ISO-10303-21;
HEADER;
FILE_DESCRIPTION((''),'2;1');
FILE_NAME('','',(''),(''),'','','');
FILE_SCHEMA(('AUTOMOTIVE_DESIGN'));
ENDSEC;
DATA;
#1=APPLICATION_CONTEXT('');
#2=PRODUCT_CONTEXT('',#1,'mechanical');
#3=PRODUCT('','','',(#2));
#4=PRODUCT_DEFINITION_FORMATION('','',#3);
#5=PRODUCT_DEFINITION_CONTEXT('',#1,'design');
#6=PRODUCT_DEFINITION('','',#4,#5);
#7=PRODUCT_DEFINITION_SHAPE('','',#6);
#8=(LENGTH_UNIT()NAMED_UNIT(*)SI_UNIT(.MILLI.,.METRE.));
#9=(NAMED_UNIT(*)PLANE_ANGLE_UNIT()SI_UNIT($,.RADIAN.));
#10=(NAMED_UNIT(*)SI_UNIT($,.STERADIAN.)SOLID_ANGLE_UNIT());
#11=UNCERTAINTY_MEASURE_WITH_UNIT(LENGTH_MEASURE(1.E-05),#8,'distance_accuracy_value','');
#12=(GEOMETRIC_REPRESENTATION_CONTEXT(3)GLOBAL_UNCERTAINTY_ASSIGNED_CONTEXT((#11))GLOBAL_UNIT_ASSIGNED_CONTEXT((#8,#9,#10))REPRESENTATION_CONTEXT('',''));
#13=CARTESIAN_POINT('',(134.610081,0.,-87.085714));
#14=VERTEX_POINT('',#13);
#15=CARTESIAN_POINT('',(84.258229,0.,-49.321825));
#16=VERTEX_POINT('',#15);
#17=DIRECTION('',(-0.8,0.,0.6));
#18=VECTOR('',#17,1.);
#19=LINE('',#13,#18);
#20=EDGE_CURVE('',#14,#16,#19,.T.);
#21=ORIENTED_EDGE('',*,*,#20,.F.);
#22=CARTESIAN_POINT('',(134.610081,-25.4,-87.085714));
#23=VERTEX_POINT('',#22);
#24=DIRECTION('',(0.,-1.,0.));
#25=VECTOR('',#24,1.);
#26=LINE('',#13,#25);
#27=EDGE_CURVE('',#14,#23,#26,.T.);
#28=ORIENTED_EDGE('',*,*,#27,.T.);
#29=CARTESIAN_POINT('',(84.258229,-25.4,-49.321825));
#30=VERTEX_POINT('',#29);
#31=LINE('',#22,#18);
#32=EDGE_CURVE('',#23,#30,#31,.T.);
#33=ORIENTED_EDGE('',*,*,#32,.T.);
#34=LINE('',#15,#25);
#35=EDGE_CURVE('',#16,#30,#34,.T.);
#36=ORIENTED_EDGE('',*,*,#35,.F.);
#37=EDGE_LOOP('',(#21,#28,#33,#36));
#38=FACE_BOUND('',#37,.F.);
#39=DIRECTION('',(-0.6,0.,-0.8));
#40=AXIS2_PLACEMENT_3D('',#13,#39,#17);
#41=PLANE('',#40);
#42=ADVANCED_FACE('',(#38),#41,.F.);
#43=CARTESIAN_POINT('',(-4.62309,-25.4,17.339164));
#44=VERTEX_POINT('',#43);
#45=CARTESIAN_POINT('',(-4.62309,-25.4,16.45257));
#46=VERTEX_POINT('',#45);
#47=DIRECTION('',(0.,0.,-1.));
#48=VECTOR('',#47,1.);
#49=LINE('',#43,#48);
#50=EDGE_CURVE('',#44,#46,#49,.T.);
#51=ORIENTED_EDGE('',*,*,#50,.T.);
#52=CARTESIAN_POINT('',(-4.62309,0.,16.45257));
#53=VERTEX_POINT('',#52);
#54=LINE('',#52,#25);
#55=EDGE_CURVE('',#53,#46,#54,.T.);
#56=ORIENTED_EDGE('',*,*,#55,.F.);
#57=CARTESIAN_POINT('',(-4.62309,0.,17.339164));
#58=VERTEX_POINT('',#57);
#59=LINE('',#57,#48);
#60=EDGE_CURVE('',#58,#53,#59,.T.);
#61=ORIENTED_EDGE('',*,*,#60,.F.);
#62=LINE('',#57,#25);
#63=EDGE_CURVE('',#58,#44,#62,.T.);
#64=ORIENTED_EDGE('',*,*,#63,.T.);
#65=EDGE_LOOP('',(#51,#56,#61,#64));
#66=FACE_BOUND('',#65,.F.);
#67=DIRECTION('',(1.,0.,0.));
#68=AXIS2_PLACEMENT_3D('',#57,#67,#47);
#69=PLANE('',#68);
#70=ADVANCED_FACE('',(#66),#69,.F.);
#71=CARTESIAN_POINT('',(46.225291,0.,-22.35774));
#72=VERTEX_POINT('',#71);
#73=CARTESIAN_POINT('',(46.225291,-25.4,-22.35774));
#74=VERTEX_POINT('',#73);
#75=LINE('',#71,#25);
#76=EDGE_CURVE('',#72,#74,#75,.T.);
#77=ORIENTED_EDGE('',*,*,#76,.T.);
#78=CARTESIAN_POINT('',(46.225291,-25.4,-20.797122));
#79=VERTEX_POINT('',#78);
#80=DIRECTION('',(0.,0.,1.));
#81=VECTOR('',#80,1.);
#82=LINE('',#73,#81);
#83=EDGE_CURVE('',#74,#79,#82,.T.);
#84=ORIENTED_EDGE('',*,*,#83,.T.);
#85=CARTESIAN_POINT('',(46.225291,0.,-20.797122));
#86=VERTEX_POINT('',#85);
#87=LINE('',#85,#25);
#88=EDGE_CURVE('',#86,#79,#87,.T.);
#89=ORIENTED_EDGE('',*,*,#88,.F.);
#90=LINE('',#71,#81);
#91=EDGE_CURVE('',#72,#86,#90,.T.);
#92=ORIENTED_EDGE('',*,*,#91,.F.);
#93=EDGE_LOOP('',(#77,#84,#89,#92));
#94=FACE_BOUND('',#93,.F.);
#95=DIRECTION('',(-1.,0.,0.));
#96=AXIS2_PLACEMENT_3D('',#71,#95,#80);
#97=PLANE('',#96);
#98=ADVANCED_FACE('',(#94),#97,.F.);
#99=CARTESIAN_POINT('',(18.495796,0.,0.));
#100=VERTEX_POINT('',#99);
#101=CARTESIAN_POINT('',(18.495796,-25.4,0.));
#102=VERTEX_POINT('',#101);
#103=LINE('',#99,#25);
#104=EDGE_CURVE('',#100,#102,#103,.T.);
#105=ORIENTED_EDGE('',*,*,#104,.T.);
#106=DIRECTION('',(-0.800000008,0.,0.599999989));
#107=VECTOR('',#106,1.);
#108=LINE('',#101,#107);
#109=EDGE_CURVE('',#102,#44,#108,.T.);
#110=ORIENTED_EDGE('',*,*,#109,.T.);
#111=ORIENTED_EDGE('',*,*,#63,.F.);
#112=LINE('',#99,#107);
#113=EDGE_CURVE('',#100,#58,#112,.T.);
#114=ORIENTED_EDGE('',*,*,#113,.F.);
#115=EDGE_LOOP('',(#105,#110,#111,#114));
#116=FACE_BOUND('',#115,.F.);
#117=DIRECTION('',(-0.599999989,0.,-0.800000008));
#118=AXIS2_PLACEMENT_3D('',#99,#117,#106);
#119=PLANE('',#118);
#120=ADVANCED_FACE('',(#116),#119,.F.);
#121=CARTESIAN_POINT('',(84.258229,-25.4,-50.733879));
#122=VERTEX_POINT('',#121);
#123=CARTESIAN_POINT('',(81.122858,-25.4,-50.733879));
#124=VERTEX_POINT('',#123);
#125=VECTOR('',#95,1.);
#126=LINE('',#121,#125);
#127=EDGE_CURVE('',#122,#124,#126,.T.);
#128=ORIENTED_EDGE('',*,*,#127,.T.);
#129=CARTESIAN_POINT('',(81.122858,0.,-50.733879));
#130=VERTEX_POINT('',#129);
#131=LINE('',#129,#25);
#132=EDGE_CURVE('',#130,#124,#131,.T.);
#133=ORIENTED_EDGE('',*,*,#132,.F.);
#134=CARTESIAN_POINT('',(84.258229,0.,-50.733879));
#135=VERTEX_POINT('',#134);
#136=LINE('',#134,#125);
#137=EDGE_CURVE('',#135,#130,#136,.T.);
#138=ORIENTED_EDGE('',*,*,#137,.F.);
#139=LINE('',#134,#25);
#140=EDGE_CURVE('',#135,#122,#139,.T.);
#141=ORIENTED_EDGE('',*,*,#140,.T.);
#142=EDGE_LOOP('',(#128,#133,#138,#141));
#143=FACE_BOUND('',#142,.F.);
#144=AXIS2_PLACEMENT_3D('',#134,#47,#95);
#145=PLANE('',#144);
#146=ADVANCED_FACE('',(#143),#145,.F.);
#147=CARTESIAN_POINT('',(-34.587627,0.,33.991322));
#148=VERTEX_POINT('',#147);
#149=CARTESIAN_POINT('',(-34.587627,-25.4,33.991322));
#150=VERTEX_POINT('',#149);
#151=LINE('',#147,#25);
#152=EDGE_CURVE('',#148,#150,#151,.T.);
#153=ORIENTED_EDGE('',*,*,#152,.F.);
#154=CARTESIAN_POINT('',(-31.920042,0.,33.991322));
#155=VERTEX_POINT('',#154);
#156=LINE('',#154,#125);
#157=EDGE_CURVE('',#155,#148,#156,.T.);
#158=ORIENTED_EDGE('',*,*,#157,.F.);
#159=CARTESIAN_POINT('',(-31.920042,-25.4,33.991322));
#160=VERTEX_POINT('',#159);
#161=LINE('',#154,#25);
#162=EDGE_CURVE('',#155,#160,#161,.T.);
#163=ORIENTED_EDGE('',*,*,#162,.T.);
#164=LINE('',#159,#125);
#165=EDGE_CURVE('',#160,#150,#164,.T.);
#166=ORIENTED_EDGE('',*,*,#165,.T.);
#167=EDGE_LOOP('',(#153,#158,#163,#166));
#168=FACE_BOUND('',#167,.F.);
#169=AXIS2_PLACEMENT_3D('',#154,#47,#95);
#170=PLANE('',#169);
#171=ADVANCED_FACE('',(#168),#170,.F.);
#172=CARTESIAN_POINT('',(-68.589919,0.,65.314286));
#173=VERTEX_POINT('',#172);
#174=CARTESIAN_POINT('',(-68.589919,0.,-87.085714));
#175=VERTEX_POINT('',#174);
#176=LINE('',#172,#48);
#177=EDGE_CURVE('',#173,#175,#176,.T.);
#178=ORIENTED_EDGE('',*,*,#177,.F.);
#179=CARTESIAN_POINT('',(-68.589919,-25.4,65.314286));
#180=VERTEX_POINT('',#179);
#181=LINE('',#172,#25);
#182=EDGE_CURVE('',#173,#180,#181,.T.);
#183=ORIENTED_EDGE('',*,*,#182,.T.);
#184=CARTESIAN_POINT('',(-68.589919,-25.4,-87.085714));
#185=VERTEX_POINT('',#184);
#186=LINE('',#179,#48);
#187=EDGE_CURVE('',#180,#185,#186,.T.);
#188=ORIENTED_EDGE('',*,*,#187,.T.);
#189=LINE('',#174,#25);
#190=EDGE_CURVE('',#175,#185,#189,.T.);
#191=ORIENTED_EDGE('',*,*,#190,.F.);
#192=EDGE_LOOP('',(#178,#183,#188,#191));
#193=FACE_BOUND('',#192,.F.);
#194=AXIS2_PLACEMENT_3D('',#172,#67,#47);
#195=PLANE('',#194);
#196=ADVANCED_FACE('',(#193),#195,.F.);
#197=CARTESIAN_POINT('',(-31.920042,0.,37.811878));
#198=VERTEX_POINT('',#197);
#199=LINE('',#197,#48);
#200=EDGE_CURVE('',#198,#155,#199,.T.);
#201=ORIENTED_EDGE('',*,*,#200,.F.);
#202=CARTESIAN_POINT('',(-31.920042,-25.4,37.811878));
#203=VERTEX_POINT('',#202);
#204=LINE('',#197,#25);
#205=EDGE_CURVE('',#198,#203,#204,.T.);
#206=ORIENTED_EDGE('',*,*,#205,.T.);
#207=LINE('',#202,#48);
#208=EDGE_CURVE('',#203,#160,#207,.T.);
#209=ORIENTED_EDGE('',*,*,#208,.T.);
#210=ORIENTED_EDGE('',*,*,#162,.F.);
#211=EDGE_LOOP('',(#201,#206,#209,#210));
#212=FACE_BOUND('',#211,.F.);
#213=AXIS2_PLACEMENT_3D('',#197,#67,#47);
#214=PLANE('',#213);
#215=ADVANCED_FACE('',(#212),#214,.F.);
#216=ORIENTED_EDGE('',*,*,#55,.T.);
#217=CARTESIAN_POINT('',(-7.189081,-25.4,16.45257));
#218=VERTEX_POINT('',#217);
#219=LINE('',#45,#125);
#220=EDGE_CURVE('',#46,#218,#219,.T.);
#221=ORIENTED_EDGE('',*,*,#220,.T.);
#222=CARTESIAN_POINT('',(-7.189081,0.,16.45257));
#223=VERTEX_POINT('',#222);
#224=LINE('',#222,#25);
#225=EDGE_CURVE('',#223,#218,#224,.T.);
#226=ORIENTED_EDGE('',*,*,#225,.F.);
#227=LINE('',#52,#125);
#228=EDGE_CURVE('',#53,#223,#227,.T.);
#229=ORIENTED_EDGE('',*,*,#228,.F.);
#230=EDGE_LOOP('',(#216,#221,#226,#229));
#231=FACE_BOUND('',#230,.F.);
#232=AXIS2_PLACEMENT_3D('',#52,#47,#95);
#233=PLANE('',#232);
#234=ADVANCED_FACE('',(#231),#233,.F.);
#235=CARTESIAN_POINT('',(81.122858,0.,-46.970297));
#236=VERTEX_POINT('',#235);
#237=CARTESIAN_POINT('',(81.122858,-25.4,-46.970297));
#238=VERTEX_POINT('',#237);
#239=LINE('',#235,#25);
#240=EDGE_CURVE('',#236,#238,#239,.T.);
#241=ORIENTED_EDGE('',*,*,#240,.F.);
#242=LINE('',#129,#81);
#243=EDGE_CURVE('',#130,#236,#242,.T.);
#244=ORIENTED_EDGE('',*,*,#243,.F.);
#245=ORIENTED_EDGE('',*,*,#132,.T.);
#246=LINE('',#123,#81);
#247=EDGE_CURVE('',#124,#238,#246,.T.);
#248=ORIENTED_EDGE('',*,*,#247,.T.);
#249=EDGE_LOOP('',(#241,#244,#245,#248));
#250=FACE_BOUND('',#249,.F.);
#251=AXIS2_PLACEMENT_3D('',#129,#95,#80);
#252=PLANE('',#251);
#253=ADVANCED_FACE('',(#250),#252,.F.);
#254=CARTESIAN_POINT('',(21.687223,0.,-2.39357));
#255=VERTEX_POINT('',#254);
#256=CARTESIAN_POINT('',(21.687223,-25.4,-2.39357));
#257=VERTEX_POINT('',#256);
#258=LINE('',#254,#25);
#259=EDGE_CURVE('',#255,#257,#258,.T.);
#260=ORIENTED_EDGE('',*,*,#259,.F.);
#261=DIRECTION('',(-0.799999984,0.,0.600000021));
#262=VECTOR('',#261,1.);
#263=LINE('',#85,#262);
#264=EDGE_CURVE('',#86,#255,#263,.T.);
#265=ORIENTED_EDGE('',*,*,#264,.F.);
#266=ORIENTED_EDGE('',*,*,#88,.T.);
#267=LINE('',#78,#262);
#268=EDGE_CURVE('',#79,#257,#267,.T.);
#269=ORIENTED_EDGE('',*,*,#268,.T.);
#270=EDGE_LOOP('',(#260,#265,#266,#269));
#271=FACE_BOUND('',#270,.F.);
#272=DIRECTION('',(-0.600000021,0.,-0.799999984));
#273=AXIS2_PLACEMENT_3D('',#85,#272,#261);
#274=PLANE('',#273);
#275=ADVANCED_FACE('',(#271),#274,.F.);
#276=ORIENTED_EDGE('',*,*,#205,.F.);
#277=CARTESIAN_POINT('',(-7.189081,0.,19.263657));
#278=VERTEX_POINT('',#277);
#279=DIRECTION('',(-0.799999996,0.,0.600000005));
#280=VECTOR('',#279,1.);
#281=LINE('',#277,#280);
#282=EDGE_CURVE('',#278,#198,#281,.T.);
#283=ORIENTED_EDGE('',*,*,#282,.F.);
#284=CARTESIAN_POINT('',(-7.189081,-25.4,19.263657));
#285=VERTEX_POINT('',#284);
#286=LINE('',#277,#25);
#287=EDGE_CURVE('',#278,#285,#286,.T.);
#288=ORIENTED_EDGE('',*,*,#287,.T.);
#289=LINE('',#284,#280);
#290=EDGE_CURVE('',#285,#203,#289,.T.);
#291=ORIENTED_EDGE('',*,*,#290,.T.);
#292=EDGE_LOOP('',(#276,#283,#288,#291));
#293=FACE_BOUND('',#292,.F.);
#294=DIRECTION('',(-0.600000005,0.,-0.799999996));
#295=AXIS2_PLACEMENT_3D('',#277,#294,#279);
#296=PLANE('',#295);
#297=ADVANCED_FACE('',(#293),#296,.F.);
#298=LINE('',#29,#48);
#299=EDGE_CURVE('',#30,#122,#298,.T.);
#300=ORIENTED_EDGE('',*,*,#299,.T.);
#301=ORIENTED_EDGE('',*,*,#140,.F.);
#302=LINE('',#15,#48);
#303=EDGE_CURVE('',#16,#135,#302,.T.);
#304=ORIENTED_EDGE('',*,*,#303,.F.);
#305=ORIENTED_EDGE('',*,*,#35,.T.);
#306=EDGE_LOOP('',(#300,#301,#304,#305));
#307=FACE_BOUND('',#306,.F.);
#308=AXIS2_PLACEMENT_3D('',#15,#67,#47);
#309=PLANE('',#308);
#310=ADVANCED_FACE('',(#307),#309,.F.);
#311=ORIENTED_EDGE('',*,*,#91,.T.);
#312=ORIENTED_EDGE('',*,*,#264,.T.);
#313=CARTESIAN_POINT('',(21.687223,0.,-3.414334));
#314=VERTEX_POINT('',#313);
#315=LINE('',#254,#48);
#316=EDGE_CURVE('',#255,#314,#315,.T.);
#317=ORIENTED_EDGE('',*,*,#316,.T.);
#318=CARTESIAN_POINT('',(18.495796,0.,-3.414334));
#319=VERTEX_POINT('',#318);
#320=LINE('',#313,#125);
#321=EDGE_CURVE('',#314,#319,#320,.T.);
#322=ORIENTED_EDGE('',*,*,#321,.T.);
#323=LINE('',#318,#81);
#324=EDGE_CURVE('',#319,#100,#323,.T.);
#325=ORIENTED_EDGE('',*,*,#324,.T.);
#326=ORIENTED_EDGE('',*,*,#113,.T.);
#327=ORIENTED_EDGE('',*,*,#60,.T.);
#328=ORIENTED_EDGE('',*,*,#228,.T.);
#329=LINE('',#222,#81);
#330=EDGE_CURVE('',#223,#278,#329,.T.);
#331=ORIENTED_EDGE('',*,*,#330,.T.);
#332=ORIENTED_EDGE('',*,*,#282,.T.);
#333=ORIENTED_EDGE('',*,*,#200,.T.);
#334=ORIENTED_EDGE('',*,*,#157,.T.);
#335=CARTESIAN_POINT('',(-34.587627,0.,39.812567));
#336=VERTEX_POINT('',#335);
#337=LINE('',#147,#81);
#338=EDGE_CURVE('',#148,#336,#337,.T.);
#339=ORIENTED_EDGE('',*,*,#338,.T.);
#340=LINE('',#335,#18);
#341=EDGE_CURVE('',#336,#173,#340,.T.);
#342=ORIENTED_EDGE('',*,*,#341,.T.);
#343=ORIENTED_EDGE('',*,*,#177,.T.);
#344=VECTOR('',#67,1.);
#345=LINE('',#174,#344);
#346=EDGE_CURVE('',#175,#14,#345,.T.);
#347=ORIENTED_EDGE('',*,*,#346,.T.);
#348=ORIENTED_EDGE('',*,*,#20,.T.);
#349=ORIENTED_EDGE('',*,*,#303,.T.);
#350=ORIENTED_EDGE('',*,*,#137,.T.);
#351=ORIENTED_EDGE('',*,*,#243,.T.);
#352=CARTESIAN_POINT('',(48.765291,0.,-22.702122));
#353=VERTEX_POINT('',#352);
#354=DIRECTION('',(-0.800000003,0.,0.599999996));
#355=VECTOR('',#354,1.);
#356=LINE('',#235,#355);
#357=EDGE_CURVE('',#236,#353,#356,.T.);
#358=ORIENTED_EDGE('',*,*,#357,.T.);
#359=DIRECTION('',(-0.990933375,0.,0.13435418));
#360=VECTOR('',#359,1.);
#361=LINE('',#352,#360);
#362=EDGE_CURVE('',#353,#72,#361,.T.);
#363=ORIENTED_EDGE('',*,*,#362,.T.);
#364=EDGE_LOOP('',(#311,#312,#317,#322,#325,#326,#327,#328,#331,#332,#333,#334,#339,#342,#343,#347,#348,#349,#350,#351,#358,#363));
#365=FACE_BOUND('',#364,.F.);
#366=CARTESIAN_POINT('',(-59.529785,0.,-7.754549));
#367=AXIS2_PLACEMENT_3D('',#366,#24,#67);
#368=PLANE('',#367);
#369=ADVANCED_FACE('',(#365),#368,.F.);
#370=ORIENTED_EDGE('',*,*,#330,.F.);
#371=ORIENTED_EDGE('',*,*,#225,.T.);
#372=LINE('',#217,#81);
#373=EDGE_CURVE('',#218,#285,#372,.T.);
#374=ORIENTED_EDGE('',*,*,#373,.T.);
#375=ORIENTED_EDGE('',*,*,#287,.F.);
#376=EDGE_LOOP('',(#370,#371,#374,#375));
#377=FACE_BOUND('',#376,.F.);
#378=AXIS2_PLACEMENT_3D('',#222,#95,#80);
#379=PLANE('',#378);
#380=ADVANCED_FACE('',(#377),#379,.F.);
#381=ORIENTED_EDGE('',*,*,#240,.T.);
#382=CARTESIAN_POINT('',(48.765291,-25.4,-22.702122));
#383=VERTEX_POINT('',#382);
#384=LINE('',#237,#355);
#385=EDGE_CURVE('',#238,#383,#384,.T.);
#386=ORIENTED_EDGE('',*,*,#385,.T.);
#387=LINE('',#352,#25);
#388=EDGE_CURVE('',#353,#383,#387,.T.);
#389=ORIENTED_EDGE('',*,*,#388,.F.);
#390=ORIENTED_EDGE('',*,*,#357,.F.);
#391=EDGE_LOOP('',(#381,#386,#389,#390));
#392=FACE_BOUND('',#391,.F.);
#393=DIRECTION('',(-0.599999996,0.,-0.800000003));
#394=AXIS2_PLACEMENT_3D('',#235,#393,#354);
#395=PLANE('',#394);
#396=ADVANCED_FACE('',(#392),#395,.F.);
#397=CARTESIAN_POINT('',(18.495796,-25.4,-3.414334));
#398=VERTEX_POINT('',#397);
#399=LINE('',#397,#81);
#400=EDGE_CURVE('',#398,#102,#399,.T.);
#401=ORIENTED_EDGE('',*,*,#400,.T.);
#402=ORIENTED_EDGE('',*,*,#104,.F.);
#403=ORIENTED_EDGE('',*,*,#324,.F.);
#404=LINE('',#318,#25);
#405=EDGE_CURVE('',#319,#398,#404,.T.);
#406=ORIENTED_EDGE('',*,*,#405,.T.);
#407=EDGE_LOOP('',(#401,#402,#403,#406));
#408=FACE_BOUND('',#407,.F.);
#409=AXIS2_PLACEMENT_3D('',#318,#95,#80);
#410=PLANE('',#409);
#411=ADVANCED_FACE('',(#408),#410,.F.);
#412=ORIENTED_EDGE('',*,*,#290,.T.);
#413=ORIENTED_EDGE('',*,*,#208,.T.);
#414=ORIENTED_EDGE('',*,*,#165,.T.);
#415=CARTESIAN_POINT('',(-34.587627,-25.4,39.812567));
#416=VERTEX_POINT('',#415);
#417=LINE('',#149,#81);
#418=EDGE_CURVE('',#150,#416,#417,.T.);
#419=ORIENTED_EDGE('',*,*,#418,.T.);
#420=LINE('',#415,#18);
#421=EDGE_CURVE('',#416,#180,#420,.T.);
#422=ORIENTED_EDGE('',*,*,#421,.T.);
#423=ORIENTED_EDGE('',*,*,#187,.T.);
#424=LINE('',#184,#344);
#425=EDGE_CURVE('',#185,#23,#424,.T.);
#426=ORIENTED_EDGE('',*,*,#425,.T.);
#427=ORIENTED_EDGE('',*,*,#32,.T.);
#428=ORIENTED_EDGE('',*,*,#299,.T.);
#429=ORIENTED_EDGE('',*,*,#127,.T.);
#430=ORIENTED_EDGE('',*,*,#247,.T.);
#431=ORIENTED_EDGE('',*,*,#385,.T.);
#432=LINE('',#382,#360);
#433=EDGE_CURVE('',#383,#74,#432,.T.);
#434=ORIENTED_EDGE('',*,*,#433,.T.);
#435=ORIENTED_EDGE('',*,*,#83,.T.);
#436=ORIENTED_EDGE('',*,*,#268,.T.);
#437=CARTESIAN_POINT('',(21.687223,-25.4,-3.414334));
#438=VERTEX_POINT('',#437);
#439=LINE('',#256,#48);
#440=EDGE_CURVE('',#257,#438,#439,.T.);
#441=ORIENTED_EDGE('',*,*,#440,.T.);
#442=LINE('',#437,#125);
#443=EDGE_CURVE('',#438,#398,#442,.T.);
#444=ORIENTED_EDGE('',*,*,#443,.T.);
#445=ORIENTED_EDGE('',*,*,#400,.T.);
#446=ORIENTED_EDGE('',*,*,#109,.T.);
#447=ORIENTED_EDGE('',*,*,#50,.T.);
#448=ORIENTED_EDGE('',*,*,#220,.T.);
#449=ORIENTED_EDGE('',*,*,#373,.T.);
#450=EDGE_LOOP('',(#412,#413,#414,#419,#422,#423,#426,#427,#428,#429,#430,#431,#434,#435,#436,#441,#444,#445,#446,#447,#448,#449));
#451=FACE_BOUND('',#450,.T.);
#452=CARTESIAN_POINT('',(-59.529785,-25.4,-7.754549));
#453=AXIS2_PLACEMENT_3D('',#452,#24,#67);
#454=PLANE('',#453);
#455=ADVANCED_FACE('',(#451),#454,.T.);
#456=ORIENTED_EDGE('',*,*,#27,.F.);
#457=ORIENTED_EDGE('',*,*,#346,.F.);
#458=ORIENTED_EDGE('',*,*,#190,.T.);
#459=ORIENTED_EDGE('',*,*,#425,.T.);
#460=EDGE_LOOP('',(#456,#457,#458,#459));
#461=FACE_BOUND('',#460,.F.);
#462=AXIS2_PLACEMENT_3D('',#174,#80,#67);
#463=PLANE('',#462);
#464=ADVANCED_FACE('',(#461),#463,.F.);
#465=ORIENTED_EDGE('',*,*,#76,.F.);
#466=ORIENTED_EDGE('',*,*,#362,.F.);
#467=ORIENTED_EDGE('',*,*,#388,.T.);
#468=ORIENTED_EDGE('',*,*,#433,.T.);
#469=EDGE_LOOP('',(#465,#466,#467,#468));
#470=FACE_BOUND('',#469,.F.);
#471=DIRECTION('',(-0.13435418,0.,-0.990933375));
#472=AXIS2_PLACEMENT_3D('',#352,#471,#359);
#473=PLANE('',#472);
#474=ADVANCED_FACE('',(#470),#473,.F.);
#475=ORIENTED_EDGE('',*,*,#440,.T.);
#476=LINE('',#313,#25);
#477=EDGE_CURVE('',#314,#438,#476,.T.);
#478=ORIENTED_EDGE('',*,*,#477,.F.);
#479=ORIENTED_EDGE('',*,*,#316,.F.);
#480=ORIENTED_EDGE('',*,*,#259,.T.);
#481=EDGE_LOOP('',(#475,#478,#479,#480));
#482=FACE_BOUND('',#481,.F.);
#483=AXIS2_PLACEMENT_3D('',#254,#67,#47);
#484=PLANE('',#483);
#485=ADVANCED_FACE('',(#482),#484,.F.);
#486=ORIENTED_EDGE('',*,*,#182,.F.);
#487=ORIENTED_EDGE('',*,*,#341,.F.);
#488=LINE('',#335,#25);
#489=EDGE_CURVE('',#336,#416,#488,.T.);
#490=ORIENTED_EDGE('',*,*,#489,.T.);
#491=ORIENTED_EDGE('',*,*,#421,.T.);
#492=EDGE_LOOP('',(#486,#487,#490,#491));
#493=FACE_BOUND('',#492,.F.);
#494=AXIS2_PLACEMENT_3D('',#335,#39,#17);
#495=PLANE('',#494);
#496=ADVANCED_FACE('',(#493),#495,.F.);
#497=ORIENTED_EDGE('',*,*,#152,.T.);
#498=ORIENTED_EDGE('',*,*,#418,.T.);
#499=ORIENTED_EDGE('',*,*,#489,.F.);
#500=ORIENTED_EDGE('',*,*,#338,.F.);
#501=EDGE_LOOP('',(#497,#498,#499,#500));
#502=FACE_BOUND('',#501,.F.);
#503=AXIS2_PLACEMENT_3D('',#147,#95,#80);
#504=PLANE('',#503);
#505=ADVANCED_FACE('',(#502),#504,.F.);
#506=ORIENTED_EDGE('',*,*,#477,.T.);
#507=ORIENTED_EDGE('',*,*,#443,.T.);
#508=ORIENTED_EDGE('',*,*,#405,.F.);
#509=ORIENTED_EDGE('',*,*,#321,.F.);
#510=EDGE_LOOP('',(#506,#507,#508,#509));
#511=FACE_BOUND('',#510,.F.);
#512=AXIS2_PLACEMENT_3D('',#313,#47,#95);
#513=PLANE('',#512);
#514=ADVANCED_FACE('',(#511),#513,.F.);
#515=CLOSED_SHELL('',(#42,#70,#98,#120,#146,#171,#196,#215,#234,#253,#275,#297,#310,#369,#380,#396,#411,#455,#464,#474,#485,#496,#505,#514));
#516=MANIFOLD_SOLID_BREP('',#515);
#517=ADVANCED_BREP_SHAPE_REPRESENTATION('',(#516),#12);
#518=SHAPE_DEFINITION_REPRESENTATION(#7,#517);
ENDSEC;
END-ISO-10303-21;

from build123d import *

# Parameters (mm, degrees)
F1_DEPTH = 25.4


with BuildPart() as f1:
    # F0 (on Front) → F1 (new body)
    with BuildSketch(Plane.XZ):
        Polygon((-34.587627, 39.812567), (-68.589919, 65.314286), (-68.589919, -87.085714), align=None)
        Polygon((81.122858, -46.970297), (-68.589919, -87.085714), (134.610081, -87.085714), (84.258229, -49.321825), (84.258229, -50.733879), (81.122858, -50.733879), align=None)
        Polygon((-34.587627, 39.812567), (-68.589919, -87.085714), (-7.189081, 19.263657), (-31.920042, 37.811878), (-31.920042, 33.991322), (-34.587627, 33.991322), align=None)
        Polygon((-7.189081, 19.263657), (-68.589919, -87.085714), (18.495796, 0), (-4.62309, 17.339164), (-4.62309, 16.45257), (-7.189081, 16.45257), align=None)
        Polygon((18.495796, 0), (-68.589919, -87.085714), (46.225291, -20.797122), (21.687223, -2.39357), (21.687223, -3.414334), (18.495796, -3.414334), align=None)
        Polygon((46.225291, -20.797122), (-68.589919, -87.085714), (81.122858, -46.970297), (48.765291, -22.702122), (46.225291, -22.35774), align=None)
    extrude(amount=F1_DEPTH)


solid = f1.part
